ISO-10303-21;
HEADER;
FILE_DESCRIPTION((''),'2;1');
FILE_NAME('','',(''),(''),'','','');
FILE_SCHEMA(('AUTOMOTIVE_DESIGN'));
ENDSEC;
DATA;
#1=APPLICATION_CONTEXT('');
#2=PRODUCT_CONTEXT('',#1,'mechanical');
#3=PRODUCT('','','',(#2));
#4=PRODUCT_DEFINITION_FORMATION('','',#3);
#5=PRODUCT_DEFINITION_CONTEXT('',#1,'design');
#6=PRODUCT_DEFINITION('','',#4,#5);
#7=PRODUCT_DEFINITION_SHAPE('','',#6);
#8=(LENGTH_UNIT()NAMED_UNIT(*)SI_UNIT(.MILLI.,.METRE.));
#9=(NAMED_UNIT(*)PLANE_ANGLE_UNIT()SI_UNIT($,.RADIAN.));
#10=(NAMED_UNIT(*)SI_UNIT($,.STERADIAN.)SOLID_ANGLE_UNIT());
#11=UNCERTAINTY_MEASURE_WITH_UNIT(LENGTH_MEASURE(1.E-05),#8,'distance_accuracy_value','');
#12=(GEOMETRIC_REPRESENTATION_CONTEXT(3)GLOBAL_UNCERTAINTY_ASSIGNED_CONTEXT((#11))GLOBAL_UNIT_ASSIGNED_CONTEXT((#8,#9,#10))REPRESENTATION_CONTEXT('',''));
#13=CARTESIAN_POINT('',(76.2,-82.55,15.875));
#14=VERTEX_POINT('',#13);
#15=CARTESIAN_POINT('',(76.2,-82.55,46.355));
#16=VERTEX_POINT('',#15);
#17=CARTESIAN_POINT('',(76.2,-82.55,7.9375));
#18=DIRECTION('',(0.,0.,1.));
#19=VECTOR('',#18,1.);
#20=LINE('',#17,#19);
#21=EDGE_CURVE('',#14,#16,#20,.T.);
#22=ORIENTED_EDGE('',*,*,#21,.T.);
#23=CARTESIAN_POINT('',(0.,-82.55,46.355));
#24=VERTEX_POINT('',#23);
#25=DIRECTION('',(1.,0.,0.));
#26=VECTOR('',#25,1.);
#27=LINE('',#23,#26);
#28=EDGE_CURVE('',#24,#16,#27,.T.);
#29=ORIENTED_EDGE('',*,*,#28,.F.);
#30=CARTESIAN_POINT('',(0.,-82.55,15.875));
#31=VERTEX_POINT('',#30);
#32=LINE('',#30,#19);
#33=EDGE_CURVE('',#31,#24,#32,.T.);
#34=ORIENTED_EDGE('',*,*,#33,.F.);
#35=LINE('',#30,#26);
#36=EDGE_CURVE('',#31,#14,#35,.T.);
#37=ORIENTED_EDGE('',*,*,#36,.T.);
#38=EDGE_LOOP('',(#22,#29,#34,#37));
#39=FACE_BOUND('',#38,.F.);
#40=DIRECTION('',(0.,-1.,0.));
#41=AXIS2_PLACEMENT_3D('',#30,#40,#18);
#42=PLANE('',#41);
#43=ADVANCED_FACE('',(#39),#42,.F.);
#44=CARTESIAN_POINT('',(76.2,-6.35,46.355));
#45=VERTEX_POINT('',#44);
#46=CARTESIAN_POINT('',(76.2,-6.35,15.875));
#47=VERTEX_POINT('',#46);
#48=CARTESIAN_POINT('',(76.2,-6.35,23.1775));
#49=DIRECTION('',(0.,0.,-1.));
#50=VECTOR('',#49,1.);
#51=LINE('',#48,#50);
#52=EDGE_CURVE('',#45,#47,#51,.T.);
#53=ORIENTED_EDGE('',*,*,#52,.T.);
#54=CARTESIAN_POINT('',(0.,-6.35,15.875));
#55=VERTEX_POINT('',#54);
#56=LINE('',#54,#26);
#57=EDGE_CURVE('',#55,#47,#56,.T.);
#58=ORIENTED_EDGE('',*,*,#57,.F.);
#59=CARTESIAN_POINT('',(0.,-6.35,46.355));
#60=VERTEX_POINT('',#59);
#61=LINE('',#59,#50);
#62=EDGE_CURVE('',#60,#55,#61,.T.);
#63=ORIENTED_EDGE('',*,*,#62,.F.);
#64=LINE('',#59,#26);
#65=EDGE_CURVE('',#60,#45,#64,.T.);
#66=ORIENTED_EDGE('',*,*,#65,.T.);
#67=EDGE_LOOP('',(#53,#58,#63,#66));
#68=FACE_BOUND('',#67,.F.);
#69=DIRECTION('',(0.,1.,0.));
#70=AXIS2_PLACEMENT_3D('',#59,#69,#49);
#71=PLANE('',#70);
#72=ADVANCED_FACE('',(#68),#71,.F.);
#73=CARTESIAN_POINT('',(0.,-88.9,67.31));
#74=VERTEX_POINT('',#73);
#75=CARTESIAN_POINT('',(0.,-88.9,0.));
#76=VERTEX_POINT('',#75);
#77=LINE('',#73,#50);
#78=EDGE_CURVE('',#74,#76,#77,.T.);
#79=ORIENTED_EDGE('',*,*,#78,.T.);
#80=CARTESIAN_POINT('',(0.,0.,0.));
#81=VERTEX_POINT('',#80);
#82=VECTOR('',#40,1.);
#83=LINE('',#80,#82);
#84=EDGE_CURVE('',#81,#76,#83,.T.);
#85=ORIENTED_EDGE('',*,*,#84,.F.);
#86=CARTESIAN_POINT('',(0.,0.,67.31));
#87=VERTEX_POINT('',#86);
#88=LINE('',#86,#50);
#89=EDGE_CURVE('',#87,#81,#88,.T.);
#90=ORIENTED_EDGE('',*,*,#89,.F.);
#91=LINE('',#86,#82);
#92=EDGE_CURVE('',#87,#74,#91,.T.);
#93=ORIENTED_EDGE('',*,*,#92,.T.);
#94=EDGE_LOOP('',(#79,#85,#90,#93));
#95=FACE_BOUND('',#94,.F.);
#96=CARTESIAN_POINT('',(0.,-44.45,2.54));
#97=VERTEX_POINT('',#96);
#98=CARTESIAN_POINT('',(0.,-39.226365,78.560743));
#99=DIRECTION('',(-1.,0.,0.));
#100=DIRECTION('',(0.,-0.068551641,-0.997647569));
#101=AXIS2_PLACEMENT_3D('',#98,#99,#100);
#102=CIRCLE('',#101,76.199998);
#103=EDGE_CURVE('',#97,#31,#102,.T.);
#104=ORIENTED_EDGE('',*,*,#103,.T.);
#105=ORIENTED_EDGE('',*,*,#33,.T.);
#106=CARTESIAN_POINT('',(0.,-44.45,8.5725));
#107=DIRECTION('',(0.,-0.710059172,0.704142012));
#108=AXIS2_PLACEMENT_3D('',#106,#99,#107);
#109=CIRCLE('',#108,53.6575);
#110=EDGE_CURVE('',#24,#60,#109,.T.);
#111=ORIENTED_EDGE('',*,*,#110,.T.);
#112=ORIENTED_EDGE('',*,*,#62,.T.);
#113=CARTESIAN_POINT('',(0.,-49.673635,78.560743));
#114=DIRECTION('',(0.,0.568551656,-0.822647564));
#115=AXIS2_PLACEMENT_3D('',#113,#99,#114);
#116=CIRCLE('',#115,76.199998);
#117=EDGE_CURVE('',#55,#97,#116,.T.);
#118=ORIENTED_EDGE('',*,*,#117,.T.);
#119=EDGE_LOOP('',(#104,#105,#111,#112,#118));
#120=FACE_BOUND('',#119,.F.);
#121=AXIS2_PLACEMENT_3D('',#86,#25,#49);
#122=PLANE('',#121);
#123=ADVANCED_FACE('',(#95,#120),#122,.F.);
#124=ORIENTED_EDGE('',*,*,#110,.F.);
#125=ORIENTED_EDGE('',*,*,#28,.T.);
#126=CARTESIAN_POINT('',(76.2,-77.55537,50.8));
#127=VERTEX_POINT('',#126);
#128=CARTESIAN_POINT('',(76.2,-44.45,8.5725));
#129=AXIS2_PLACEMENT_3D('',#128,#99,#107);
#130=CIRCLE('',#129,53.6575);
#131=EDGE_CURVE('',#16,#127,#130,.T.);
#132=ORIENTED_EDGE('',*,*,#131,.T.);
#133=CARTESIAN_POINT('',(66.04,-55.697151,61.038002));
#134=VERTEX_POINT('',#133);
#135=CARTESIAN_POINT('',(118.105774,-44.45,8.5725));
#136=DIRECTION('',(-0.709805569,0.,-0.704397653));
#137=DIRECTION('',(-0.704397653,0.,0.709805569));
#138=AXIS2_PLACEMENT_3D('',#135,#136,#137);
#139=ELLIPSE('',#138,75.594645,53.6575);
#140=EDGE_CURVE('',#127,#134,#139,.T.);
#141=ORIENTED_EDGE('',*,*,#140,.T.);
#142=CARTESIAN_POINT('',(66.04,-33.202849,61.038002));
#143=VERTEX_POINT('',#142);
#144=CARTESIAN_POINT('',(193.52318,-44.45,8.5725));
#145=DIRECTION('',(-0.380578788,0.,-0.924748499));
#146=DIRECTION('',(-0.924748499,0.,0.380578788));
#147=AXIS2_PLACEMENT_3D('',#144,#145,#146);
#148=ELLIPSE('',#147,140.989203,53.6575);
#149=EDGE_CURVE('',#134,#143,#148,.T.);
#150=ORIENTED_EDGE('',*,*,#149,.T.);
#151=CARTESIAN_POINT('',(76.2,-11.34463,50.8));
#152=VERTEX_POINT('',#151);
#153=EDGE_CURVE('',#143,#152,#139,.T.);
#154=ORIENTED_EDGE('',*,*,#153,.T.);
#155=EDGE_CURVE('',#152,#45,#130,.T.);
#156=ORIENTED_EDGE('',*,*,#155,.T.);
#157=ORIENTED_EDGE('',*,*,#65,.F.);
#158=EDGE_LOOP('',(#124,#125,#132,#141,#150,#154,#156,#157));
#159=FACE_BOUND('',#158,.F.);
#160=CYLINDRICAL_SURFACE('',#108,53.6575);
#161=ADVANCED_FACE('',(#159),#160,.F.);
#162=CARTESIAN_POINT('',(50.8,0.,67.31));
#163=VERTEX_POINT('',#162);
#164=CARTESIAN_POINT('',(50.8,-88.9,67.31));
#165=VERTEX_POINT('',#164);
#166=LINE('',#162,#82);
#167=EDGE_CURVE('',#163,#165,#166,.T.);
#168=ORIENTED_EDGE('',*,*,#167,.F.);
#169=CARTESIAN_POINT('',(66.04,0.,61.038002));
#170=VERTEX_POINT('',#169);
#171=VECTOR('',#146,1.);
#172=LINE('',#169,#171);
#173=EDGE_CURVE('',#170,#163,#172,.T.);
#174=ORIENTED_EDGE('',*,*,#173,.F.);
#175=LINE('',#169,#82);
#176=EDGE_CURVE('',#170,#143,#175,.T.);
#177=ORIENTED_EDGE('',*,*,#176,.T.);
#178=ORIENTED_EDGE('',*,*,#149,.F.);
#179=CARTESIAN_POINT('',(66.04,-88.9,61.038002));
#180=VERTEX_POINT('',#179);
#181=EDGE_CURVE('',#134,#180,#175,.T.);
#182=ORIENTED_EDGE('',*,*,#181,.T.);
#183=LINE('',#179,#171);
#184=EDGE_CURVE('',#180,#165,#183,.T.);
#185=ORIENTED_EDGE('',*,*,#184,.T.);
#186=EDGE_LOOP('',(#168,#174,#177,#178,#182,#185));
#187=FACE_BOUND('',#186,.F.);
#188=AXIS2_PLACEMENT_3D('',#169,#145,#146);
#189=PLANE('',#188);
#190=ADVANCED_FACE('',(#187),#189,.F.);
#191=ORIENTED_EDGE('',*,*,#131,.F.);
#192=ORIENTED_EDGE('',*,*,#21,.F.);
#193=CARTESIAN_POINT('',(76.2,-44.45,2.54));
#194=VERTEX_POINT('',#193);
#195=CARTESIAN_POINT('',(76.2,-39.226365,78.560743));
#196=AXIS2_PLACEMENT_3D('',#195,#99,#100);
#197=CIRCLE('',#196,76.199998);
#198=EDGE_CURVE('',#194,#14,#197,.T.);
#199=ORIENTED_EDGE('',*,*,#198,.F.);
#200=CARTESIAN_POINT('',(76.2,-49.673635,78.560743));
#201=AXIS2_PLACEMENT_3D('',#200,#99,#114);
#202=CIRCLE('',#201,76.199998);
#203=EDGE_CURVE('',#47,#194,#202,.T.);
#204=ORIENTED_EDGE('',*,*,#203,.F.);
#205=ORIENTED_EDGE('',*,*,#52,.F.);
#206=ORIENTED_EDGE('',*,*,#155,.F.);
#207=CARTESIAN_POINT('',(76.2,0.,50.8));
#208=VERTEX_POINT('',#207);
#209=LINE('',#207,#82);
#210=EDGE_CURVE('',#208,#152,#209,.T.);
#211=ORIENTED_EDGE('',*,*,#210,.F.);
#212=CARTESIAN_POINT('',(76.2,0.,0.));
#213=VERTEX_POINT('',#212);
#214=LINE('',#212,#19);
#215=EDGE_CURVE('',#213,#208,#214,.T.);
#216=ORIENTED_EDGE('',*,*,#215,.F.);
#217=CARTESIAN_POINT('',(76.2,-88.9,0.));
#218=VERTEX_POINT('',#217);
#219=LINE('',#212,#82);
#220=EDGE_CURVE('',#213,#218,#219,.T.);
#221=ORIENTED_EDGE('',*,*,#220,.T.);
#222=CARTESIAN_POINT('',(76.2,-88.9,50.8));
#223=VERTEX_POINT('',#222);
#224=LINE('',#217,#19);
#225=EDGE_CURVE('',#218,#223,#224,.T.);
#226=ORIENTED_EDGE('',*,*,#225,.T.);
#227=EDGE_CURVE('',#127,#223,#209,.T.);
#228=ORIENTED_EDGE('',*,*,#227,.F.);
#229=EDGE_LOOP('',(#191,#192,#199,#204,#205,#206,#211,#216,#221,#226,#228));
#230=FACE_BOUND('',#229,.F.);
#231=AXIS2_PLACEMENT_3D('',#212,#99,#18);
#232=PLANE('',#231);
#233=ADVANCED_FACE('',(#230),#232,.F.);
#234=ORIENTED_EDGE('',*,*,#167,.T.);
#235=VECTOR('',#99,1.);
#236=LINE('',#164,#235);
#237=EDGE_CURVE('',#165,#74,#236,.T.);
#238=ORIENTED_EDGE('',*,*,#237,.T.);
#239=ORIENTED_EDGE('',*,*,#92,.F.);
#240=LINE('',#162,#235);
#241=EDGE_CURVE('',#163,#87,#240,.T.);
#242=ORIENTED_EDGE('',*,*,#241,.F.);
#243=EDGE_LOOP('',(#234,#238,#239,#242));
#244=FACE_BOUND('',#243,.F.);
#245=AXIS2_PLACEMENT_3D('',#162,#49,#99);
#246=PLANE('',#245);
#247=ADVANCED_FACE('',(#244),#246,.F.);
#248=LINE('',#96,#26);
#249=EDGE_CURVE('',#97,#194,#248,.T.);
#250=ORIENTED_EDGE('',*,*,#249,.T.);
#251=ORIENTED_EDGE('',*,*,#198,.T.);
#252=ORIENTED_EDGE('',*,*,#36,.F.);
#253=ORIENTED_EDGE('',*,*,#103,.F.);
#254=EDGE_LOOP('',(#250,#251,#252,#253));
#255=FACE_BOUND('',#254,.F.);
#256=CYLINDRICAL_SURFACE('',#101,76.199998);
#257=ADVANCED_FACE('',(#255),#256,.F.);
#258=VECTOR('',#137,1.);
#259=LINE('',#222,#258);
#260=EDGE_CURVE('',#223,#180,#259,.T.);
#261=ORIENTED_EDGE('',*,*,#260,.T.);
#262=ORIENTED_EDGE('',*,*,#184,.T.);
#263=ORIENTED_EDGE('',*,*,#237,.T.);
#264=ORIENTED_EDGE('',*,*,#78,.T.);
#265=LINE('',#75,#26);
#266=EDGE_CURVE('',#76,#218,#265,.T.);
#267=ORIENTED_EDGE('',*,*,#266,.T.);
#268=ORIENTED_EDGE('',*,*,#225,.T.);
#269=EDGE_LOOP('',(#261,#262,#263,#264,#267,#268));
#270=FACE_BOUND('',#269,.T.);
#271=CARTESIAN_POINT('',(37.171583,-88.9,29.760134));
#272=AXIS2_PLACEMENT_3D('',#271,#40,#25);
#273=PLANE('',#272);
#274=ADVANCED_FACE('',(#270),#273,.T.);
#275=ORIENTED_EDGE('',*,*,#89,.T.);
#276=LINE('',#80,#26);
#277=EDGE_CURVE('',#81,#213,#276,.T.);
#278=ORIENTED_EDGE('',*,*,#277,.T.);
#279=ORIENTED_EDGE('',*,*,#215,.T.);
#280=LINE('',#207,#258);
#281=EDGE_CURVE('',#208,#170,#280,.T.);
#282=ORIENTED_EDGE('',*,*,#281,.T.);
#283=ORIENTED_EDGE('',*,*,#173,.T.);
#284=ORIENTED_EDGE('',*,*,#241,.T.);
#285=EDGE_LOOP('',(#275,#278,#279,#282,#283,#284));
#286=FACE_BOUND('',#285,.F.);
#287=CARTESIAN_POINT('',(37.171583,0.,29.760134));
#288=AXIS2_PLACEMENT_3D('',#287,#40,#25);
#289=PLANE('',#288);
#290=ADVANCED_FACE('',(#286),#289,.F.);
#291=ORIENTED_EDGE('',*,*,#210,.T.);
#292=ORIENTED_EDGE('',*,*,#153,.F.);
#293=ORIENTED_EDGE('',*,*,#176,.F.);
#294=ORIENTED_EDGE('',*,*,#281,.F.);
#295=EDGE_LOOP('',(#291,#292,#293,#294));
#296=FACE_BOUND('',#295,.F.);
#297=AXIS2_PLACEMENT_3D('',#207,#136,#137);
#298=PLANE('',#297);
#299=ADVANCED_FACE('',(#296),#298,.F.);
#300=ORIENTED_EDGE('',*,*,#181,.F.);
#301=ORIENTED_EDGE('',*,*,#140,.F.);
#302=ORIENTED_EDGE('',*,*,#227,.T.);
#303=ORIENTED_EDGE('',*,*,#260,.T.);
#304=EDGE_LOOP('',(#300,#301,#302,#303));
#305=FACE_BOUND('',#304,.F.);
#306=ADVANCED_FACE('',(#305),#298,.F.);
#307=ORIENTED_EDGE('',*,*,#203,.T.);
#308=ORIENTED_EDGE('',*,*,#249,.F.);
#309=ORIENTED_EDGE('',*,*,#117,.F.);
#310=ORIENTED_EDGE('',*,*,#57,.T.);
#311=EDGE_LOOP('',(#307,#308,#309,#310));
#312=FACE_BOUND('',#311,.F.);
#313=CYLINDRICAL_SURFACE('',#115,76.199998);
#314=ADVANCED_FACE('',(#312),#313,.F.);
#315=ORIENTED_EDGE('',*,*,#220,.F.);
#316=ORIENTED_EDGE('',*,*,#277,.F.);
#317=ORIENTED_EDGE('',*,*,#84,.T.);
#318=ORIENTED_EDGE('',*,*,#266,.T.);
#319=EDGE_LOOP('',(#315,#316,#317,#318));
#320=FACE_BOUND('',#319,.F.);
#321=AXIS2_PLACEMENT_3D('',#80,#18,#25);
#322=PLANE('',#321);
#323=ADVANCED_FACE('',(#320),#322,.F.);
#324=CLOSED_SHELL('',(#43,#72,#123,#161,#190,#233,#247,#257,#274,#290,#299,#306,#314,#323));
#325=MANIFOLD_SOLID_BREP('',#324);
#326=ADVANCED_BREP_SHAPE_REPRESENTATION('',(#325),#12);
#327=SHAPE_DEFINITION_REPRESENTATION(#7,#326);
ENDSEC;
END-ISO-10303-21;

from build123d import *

# Parameters (mm, degrees)
F1_DEPTH = 88.9
F3_DEPTH = 76.201


with BuildPart() as f1:
    # F0 (on Front) → F1 (new body)
    with BuildSketch(Plane.XZ):
        Polygon((0, 61.038002), (0, 0), (76.2, 0), (76.2, 50.8), (66.04, 61.038002), align=None)
        Polygon((0, 67.31), (0, 61.038002), (66.04, 61.038002), (50.8, 67.31), align=None)
    extrude(amount=F1_DEPTH)

    # F2 (on face) → F3 (cut, through all)
    with BuildSketch(Plane(origin=(0, 0, 0), x_dir=(0, -1, 0), z_dir=(-1, 0, 0))):
        with BuildLine():
            ThreePointArc((6.35, 15.875), (24.500933, 6.638738), (44.45, 2.54))
            ThreePointArc((44.45, 2.54), (64.399067, 6.638738), (82.55, 15.875))
            Line((82.55, 15.875), (82.55, 33.655))
            Line((82.55, 33.655), (82.55, 46.355))
            ThreePointArc((82.55, 46.355), (65.0875, 58.1025), (44.45, 62.23))
            ThreePointArc((44.45, 62.23), (23.8125, 58.1025), (6.35, 46.355))
            Line((6.35, 46.355), (6.35, 33.655))
            Line((6.35, 33.655), (6.35, 15.875))
        make_face()
    extrude(amount=-F3_DEPTH, mode=Mode.SUBTRACT)


solid = f1.part
